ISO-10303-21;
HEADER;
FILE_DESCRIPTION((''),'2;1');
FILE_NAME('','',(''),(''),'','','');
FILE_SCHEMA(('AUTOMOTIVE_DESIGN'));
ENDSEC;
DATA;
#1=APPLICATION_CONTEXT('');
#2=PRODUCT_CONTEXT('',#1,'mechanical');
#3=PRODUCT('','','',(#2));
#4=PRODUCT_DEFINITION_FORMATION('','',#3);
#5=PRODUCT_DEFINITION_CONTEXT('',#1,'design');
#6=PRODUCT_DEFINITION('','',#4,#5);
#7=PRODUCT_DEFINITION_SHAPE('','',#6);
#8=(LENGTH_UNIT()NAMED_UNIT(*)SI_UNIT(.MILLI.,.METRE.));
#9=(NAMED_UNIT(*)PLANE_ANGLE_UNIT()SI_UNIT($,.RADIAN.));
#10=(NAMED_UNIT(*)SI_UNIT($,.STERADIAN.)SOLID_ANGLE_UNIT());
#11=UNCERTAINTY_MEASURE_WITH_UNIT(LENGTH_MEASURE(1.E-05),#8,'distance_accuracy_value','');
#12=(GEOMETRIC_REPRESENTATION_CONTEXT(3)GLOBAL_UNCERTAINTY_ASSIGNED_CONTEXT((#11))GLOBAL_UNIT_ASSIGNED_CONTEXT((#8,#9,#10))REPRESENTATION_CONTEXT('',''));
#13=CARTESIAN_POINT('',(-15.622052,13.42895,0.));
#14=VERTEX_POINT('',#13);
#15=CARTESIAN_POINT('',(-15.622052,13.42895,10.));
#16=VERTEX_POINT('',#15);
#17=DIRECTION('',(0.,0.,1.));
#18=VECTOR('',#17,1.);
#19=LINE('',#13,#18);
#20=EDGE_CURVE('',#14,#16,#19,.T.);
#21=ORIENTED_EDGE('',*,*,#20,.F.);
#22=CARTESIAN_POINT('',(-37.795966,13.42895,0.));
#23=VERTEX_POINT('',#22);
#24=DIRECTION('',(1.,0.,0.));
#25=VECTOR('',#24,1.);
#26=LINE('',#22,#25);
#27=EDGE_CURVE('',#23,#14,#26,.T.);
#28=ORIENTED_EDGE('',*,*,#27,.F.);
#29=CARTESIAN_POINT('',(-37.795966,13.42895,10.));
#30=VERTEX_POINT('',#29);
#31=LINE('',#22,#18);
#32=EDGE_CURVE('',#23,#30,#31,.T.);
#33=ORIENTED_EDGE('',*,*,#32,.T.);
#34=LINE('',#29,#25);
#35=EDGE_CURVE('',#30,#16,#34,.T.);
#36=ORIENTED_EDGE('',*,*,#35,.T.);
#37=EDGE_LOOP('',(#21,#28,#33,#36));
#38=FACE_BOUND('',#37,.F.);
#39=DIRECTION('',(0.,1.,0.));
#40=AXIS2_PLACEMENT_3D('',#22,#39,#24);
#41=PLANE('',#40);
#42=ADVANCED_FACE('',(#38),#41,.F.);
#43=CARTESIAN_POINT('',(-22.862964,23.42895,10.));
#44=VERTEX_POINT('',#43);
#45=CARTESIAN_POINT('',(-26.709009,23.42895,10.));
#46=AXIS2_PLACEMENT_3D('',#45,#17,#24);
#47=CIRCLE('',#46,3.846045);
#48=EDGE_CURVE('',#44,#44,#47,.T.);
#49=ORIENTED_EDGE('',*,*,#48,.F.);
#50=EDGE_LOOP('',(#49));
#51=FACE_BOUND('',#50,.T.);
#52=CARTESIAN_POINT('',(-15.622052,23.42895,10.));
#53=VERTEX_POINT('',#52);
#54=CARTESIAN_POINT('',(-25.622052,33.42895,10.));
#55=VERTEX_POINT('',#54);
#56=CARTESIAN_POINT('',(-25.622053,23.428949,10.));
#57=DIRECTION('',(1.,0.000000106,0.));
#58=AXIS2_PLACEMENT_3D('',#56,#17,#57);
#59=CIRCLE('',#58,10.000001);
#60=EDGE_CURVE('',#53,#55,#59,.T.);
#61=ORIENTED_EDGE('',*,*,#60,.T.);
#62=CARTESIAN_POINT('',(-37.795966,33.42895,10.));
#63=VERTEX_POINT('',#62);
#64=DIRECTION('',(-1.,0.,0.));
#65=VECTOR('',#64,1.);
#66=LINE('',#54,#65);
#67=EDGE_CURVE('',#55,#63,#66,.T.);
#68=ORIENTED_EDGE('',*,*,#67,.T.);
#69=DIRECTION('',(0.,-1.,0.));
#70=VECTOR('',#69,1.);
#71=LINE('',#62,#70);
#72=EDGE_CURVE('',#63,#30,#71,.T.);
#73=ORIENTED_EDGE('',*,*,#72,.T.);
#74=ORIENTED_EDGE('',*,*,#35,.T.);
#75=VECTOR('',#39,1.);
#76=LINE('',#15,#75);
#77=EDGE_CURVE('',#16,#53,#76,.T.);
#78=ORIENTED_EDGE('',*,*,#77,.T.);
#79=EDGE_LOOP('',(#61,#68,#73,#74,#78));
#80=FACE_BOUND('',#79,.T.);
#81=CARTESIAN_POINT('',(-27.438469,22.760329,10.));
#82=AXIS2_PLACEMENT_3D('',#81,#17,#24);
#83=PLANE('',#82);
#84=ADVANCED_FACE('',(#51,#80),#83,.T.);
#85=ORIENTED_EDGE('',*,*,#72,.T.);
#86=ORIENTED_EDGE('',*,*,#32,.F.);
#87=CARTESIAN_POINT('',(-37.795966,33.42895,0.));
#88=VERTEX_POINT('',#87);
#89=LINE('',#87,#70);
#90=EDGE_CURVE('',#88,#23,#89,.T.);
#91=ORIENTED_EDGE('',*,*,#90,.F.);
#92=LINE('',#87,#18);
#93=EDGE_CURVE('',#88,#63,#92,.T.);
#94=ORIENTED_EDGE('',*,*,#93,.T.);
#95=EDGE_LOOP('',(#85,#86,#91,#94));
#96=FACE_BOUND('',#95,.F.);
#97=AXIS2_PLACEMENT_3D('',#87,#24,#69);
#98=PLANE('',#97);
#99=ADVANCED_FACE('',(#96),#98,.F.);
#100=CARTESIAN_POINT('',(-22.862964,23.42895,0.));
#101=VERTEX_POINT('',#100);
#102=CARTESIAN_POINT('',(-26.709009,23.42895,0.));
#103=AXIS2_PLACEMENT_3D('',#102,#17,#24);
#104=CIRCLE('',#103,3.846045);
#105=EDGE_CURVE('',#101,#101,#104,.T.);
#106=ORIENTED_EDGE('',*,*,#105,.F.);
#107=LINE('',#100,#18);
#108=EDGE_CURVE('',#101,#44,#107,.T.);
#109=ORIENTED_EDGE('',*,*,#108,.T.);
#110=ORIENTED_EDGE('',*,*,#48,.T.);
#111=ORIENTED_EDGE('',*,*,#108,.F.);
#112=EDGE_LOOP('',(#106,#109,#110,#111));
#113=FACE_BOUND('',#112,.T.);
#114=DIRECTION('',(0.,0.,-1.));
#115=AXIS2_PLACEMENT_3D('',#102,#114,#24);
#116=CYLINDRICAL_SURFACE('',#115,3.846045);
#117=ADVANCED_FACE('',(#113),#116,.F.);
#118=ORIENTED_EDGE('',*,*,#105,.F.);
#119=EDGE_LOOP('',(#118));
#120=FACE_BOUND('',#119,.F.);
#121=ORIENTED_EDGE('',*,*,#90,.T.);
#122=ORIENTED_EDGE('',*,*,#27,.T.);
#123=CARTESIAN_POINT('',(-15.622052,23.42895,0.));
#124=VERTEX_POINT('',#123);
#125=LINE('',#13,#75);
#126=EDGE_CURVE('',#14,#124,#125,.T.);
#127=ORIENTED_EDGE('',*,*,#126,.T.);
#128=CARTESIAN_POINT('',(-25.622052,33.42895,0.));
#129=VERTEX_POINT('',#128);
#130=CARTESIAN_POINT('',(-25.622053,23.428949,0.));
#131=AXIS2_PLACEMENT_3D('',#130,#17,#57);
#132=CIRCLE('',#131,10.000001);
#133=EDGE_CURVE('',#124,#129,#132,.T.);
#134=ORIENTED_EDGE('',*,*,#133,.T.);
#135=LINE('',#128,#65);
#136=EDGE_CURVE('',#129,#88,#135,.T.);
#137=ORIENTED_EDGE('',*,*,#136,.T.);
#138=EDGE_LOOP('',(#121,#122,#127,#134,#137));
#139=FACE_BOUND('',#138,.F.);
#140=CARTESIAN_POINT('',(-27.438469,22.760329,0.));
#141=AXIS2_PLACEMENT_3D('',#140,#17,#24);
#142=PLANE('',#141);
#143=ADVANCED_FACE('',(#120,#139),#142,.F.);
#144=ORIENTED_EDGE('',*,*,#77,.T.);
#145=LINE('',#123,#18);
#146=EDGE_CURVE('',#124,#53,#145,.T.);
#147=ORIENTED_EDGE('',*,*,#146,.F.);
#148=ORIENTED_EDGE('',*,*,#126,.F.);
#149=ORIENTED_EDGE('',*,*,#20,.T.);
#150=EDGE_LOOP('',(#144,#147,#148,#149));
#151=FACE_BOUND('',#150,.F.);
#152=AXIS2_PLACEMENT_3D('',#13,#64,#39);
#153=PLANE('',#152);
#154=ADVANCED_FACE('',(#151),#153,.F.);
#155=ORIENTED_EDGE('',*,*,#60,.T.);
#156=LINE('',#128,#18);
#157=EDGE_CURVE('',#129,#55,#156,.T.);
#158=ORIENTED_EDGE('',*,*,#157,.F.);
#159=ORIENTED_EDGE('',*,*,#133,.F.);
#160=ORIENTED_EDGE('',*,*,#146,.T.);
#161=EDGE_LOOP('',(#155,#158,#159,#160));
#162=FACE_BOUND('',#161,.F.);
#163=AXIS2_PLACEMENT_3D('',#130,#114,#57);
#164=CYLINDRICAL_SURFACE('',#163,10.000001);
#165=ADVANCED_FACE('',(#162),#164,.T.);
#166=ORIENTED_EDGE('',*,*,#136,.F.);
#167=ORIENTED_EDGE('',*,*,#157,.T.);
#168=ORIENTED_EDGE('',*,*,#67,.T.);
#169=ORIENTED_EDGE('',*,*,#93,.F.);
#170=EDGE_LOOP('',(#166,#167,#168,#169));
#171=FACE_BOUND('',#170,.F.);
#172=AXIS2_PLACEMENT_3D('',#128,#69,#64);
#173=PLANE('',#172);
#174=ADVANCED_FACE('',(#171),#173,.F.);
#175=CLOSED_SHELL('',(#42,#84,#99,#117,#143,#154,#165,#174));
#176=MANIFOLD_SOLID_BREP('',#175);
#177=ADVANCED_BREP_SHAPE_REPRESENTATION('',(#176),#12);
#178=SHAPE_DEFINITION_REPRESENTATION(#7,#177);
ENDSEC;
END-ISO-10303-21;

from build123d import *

# Parameters (mm, degrees)
F0_R     = 3.846045
F1_DEPTH = 10


with BuildPart() as f1:
    # F0 (on Top) → F1 (new body)
    with BuildSketch(Plane.XY):
        with BuildLine():
            Line((-37.795966, 13.42895), (-15.622052, 13.42895))
            Line((-15.622052, 13.42895), (-15.622052, 23.42895))
            ThreePointArc((-15.622052, 23.42895), (-18.550985, 30.500018), (-25.622052, 33.42895))
            Line((-25.622052, 33.42895), (-37.795966, 33.42895))
            Line((-37.795966, 33.42895), (-37.795966, 13.42895))
        make_face()
        with Locations((-26.709009, 23.42895)):
            Circle(F0_R, mode=Mode.SUBTRACT)
    extrude(amount=F1_DEPTH)


solid = f1.part
